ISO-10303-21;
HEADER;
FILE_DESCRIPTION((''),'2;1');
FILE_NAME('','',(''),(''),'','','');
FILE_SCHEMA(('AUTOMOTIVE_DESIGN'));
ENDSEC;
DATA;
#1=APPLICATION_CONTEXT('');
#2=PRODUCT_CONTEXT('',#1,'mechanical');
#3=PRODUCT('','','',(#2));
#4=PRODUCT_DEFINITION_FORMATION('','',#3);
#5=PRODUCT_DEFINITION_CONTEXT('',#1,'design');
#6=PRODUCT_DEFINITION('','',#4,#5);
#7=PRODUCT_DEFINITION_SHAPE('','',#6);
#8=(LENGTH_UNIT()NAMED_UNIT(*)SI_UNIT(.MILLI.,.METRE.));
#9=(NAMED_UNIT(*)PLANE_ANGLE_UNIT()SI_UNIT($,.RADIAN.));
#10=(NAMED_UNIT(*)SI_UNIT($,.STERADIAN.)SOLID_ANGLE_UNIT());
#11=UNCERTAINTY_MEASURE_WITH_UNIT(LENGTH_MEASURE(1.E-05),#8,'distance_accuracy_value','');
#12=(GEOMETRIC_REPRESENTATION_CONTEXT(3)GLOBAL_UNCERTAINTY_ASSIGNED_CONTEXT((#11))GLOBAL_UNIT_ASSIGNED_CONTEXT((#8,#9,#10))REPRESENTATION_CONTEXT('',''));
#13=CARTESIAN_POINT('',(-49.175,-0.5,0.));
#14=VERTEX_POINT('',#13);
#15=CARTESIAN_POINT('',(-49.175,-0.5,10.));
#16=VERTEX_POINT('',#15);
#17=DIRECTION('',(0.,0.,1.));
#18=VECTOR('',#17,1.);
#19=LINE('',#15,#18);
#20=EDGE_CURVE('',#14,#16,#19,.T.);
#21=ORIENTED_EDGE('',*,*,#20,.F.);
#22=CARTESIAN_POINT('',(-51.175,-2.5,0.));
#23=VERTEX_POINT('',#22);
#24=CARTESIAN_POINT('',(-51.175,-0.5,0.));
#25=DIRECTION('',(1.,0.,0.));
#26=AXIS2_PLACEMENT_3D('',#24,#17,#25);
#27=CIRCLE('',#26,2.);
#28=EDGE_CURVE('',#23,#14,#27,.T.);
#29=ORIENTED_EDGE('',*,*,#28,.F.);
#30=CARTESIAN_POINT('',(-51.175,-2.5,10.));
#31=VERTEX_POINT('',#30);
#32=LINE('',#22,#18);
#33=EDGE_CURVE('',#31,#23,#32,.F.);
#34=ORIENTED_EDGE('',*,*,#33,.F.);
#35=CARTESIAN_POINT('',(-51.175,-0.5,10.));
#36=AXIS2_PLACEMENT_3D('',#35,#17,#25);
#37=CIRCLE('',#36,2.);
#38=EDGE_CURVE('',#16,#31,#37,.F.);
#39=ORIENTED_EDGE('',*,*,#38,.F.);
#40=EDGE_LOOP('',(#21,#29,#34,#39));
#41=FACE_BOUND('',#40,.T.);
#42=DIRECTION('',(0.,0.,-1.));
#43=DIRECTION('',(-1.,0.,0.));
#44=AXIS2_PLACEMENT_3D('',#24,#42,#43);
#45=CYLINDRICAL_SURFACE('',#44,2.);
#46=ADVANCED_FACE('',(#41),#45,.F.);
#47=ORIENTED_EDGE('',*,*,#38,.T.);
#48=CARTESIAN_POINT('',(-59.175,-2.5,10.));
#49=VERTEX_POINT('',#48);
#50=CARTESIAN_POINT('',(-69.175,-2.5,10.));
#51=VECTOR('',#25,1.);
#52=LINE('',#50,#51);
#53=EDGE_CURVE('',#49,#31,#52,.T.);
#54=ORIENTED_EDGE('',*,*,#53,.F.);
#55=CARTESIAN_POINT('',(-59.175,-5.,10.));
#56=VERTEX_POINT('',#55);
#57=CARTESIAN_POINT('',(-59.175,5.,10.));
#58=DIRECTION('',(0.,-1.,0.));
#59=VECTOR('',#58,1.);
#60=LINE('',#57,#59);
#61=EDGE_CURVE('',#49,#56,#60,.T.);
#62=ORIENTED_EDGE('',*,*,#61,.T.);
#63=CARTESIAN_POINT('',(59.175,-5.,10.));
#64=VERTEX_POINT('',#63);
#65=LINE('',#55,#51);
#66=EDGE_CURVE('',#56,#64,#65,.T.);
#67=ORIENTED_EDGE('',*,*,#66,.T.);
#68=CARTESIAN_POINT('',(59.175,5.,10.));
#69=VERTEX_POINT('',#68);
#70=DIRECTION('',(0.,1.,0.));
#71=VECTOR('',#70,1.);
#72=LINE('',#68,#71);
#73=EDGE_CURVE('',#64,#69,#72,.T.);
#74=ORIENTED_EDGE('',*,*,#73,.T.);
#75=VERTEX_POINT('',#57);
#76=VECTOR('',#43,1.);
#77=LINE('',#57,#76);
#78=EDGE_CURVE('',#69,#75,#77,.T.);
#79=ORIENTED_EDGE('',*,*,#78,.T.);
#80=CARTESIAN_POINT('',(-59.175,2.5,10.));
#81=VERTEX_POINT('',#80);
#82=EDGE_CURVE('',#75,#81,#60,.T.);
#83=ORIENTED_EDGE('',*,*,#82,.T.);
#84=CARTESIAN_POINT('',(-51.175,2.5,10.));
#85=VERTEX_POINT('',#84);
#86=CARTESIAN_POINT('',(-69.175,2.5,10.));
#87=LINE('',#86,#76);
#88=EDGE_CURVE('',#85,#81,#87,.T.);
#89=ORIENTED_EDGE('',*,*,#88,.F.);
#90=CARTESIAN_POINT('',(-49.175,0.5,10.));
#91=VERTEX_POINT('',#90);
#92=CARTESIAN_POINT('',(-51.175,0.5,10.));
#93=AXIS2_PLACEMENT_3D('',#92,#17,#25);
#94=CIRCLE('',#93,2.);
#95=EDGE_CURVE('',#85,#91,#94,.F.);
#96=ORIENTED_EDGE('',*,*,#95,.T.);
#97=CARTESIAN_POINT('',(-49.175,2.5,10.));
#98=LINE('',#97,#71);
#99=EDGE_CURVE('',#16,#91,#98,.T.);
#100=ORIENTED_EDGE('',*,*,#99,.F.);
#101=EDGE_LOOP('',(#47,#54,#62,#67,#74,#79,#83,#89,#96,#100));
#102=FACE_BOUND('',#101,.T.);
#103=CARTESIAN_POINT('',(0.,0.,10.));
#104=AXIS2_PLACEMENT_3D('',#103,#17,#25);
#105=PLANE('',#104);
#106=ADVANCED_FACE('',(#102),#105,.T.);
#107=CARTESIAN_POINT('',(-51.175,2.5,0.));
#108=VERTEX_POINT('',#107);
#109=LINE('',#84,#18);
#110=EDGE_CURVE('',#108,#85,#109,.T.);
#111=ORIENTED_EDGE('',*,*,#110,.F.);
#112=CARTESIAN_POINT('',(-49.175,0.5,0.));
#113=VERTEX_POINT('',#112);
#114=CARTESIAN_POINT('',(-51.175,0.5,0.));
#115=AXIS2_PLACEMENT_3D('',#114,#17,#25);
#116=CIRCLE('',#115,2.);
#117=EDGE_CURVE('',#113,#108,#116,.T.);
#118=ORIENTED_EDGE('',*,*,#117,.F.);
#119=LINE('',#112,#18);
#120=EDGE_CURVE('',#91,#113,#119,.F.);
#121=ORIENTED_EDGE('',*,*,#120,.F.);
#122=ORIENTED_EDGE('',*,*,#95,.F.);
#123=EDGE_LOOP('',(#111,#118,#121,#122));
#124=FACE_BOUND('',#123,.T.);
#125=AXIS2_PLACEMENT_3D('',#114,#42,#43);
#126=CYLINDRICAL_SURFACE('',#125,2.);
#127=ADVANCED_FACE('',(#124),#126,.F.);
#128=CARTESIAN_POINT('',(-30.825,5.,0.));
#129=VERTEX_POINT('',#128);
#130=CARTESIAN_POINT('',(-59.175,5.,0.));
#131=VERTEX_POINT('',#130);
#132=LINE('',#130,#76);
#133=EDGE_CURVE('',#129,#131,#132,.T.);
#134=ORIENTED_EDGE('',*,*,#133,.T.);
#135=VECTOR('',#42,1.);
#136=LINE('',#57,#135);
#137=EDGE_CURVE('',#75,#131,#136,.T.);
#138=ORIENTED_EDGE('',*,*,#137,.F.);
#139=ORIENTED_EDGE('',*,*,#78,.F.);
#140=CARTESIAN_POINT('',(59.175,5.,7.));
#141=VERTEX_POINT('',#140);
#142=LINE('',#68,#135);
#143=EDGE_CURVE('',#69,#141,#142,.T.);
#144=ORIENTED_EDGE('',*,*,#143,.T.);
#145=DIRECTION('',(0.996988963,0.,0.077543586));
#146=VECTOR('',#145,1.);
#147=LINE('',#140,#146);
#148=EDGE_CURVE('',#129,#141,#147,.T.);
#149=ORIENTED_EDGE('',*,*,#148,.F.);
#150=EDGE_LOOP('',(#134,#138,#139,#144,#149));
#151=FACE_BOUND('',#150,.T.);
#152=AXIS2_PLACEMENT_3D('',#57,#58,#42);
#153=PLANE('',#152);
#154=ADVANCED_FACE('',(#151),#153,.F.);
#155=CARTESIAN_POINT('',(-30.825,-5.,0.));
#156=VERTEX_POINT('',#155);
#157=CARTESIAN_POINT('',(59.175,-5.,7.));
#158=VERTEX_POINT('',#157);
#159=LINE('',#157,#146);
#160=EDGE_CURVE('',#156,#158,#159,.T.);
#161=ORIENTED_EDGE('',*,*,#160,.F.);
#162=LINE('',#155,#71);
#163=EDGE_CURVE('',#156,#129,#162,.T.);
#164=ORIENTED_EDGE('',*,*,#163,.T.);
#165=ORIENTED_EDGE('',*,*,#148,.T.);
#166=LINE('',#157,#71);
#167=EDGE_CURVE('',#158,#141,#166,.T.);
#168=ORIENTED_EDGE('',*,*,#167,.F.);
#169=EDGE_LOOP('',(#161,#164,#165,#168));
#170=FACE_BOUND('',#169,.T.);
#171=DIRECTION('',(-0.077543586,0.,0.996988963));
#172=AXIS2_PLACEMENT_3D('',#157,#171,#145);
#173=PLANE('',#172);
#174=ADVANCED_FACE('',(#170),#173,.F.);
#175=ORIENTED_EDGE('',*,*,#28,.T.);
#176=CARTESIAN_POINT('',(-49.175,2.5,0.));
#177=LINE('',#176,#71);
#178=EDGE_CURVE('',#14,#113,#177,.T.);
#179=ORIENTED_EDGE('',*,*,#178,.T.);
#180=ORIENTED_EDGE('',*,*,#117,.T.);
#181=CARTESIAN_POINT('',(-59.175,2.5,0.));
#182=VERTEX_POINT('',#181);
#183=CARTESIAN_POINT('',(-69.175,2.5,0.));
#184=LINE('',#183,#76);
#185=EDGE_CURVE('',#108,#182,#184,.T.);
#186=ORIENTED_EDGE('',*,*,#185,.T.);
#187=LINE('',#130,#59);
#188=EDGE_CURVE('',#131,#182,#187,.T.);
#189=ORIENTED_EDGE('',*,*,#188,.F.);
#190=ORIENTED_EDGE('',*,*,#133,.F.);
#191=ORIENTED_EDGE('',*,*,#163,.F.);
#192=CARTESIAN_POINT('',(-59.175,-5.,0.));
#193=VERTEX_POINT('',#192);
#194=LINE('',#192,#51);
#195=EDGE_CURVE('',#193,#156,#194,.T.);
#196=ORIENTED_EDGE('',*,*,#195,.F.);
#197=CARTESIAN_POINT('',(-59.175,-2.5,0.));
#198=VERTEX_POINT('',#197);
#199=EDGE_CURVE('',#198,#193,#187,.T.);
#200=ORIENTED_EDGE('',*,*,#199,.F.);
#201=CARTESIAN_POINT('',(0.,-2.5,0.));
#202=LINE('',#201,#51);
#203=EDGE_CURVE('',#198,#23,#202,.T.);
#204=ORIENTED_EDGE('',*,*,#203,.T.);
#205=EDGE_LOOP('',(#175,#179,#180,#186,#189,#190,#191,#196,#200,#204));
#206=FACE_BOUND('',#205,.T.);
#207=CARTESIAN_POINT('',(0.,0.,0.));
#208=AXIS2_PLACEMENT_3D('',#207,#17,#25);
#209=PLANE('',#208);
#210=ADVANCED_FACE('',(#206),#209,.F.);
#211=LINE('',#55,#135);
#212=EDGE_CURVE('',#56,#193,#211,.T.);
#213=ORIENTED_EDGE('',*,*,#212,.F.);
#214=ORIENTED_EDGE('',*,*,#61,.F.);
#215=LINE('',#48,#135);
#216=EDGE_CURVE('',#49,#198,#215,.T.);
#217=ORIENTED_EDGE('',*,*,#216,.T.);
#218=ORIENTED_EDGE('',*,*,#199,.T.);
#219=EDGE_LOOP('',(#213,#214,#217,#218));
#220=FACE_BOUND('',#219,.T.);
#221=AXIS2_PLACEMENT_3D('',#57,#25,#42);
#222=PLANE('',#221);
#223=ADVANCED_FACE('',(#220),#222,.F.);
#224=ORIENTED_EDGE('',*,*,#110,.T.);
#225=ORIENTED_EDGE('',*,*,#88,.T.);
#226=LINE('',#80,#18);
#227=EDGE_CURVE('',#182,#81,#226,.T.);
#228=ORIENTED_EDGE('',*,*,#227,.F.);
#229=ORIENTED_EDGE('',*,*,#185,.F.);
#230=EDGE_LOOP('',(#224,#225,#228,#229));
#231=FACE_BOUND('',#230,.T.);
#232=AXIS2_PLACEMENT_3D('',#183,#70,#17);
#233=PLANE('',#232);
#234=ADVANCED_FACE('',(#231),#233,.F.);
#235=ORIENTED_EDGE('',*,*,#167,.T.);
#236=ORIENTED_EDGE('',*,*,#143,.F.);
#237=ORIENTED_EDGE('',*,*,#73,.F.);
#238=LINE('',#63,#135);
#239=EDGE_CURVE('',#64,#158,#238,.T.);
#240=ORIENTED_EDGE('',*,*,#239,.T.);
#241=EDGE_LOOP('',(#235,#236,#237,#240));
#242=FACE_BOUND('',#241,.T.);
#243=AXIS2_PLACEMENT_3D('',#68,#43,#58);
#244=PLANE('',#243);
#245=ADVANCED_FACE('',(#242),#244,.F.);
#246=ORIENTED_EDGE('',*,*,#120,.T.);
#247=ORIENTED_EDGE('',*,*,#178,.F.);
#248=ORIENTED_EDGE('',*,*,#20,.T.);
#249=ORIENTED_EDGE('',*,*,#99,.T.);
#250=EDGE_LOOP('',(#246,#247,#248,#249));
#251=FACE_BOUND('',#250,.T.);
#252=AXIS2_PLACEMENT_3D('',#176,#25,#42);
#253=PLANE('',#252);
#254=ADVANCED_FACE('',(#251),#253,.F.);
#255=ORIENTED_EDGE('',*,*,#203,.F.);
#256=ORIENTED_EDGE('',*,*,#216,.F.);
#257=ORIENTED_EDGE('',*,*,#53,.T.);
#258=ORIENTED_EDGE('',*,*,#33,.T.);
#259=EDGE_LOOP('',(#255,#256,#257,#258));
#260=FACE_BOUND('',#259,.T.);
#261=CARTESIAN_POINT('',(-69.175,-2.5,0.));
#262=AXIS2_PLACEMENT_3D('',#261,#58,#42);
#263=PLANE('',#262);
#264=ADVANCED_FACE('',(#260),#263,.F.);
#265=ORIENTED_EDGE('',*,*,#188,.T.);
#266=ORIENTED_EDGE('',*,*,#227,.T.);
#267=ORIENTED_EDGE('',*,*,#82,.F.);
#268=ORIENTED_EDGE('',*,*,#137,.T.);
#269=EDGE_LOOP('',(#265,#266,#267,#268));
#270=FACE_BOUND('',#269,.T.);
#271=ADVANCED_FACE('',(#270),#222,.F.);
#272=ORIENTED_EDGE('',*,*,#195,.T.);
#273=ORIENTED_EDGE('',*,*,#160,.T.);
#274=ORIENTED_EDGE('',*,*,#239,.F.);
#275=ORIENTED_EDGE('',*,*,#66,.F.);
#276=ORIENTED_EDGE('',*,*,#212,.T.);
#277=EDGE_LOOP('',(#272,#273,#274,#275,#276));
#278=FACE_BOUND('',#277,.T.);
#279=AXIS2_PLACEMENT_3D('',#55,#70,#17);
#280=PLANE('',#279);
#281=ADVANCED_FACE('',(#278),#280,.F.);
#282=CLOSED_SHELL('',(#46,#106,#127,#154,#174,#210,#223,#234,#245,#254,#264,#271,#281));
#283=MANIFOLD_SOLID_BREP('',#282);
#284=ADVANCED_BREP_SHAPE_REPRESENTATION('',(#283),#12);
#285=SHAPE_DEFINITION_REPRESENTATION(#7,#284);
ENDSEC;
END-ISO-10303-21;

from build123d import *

# Parameters (mm, degrees)
CROQUIS1_W              = 118.35
CROQUIS1_H              = 10
SALIENTE_EXTRUIR1_DEPTH = 10
CROQUIS2_W              = 20
CROQUIS2_H              = 5
CORTAR_EXTRUIR1_DEPTH   = 11
CORTAR_EXTRUIR2_DEPTH   = 11
REDONDEO1_R             = 2


with BuildPart() as part:
    # Croquis1 → Saliente-Extruir1 (new body)
    with BuildSketch(Plane.XY):
        Rectangle(CROQUIS1_W, CROQUIS1_H)
    extrude(amount=SALIENTE_EXTRUIR1_DEPTH)

    # Croquis2 → Cortar-Extruir1 (cut, through all)
    with BuildSketch(Plane.XY.offset(10)):
        with Locations((-59.175, 0)):
            Rectangle(CROQUIS2_W, CROQUIS2_H)
    extrude(amount=-CORTAR_EXTRUIR1_DEPTH, mode=Mode.SUBTRACT)

    # Croquis3 → Cortar-Extruir2 (cut, through all)
    with BuildSketch(Plane(origin=(0, 5, 0), x_dir=(1, 0, 0), z_dir=(0, 1, 0))):
        Polygon((59.175, -7), (-30.825, 0), (59.175, 0), align=None)
    extrude(amount=-CORTAR_EXTRUIR2_DEPTH, mode=Mode.SUBTRACT)

    # Redondeo1
    redondeo1_edges = [part.edges().sort_by_distance(p)[0] for p in [
        (-49.175, -2.5, 5),
        (-49.175, 2.5, 5),
    ]]
    fillet(redondeo1_edges, radius=REDONDEO1_R)


solid = part.part
